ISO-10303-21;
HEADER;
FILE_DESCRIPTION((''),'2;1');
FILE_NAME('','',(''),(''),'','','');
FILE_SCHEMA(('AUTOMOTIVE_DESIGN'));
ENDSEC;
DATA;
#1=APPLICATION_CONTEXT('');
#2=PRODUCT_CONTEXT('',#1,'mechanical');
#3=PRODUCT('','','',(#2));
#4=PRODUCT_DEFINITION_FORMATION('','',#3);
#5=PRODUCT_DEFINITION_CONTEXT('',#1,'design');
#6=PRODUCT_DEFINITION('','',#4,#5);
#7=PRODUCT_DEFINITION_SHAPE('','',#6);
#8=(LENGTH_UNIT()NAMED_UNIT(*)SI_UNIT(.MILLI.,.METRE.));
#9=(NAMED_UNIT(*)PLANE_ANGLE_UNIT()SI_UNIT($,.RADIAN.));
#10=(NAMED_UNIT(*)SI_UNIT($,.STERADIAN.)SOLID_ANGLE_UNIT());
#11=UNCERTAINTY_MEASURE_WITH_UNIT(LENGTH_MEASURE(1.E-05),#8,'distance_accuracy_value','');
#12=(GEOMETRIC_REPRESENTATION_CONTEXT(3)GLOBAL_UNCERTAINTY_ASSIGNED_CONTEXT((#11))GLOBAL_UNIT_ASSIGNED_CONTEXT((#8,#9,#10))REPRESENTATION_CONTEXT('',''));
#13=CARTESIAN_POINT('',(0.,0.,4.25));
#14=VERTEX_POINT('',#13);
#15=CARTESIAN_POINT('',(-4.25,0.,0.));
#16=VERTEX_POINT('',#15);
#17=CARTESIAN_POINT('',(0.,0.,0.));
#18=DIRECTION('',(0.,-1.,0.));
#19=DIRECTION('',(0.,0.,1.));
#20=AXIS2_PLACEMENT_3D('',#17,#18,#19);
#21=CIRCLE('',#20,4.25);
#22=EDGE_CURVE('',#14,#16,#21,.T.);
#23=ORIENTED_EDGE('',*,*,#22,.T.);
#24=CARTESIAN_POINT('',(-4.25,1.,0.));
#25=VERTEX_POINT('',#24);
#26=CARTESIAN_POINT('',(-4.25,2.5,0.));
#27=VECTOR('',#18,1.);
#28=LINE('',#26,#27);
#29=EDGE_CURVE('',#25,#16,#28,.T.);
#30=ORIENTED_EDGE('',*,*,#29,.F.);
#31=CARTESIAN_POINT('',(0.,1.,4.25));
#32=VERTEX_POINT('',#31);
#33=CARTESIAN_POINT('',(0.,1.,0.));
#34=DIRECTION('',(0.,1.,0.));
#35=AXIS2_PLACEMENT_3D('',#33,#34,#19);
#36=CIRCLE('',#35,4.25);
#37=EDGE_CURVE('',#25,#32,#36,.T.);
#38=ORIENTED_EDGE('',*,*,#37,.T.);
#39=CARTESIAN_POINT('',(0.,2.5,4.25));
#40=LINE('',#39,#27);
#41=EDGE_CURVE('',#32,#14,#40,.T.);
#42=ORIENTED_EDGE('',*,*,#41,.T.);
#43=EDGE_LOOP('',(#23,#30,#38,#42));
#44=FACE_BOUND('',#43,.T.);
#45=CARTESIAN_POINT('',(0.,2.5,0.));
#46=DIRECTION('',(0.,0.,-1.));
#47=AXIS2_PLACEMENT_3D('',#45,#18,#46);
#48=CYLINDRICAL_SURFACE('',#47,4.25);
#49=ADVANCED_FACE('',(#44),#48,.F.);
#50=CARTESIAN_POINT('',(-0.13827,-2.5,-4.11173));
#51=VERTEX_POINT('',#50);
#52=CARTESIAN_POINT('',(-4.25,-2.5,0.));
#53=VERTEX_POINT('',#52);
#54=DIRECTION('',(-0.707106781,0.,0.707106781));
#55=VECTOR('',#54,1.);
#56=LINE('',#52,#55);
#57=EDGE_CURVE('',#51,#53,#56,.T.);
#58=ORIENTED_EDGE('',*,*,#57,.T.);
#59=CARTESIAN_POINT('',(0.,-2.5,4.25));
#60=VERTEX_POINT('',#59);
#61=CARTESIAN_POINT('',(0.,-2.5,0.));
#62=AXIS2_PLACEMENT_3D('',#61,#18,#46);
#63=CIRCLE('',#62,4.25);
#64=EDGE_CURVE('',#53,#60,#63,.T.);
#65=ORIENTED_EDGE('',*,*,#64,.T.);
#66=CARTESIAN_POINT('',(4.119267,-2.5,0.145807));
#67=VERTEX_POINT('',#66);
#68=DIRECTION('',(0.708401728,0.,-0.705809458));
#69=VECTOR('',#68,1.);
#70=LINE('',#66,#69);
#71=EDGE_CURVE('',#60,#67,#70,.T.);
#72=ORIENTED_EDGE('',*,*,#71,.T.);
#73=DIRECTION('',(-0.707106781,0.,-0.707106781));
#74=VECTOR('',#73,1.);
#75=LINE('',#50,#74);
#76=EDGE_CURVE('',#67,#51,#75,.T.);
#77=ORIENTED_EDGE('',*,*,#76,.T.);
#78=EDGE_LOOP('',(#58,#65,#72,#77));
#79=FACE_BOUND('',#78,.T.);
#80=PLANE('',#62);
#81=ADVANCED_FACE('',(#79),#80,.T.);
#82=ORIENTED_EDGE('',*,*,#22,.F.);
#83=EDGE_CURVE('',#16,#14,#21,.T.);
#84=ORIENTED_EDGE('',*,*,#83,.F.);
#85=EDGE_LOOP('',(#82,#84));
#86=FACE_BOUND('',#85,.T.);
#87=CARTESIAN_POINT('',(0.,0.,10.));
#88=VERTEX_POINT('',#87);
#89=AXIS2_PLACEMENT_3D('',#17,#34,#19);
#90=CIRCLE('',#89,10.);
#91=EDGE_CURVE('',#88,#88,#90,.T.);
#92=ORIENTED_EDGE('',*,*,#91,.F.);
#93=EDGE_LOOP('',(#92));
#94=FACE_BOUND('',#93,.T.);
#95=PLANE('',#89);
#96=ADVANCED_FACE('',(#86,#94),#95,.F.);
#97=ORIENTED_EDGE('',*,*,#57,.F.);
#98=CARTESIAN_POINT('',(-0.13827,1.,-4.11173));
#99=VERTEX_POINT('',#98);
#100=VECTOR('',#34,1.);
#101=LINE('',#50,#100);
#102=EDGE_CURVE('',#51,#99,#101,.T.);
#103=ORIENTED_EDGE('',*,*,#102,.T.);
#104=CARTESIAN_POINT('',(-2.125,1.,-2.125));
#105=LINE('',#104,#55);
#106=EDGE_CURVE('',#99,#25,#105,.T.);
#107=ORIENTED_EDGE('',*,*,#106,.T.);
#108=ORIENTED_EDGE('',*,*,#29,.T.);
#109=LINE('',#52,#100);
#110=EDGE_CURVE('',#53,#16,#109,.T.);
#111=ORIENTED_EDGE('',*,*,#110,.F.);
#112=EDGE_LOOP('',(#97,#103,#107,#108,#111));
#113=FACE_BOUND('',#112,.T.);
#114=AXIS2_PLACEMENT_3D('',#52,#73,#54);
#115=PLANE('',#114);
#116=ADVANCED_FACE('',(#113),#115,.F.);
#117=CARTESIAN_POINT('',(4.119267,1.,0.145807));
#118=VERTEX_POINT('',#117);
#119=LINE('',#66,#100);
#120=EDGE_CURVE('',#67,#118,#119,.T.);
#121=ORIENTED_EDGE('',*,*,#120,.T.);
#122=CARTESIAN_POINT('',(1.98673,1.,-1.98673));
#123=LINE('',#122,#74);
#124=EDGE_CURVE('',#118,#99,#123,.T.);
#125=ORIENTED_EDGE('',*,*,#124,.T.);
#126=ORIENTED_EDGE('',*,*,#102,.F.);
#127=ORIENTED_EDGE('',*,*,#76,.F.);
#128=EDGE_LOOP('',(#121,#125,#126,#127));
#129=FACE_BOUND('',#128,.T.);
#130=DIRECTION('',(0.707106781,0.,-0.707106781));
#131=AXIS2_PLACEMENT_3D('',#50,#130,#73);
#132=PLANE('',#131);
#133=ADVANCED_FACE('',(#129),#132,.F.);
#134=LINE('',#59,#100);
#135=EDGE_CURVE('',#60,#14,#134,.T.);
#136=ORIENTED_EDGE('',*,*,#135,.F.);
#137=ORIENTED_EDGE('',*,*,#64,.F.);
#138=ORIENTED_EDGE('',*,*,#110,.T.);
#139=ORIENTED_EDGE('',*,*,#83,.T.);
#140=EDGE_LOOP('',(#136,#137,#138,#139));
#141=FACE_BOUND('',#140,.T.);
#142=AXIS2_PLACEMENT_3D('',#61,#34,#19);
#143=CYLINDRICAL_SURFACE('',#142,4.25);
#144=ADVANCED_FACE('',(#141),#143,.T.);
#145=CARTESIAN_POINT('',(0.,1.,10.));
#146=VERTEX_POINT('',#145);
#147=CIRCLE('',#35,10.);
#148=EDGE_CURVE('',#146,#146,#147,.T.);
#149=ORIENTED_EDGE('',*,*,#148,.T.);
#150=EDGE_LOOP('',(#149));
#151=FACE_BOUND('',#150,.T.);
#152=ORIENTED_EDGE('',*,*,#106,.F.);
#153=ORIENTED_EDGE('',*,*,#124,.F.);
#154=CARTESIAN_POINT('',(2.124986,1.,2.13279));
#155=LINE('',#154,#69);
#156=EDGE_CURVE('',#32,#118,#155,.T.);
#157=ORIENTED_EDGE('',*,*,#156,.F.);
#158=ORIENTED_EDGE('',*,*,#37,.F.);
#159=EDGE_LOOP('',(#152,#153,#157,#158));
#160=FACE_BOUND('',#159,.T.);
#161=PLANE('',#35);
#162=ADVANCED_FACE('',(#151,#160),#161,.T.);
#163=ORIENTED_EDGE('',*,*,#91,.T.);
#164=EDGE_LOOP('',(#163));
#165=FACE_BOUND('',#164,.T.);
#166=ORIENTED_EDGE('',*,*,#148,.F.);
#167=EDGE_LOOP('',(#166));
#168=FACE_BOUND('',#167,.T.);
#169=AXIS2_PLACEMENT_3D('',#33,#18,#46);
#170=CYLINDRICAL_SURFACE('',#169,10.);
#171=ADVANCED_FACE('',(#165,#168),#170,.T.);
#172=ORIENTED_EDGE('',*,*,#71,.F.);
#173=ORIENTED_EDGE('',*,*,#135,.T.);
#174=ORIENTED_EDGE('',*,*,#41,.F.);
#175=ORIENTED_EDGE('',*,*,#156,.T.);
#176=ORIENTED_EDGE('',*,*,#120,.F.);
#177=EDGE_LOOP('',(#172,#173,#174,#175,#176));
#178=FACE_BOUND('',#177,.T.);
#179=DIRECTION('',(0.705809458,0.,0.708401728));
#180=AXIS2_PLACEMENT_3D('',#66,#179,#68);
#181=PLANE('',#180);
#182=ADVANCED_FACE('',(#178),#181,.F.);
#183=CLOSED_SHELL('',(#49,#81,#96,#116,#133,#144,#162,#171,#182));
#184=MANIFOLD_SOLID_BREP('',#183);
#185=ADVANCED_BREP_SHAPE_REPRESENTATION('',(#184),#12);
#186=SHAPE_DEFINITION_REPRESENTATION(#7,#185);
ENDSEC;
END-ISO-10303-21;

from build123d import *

# Parameters (mm, degrees)
SKETCH2_R           = 10
BOSS_EXTRUDE1_DEPTH = 1
BOSS_EXTRUDE2_DEPTH = 2.5
CUT_EXTRUDE1_START  = -2.5
CUT_EXTRUDE1_DEPTH  = 2.5


with BuildPart() as part:
    # Sketch2 → Boss-Extrude1 (new body)
    with BuildSketch(Plane(origin=(0, 0, 0), x_dir=(1, 0, 0), z_dir=(0, 1, 0))):
        with Locations(Location((0, 0, 0), (0, 0, 270))):
            Circle(SKETCH2_R)
    extrude(amount=BOSS_EXTRUDE1_DEPTH)

    # Sketch3 → Boss-Extrude2 (add)
    with BuildSketch(Plane.XZ):
        with BuildLine():
            Line((-4.25, 0), (-0.138270177, -4.111729823))
            Line((-0.138270177, -4.111729823), (4.119266685, 0.145807039))
            Line((4.119266685, 0.145807039), (0, 4.25))
            ThreePointArc((0, 4.25), (4.25, 0), (0, -4.25))
            ThreePointArc((0, -4.25), (-3.00520382, -3.00520382), (-4.25, 0))
        make_face()
    extrude(amount=BOSS_EXTRUDE2_DEPTH)

    # Sketch4 → Cut-Extrude1 (cut)
    with BuildSketch(Plane.XZ.offset(CUT_EXTRUDE1_START)):
        with BuildLine():
            Line((-0.138270177, -4.111729823), (4.119266685, 0.145807039))
            Line((4.119266685, 0.145807039), (0, 4.25))
            ThreePointArc((0, 4.25), (-3.00520382, 3.00520382), (-4.25, 0))
            Line((-4.25, 0), (-0.138270177, -4.111729823))
        make_face()
    extrude(amount=CUT_EXTRUDE1_DEPTH, mode=Mode.SUBTRACT)


solid = part.part
